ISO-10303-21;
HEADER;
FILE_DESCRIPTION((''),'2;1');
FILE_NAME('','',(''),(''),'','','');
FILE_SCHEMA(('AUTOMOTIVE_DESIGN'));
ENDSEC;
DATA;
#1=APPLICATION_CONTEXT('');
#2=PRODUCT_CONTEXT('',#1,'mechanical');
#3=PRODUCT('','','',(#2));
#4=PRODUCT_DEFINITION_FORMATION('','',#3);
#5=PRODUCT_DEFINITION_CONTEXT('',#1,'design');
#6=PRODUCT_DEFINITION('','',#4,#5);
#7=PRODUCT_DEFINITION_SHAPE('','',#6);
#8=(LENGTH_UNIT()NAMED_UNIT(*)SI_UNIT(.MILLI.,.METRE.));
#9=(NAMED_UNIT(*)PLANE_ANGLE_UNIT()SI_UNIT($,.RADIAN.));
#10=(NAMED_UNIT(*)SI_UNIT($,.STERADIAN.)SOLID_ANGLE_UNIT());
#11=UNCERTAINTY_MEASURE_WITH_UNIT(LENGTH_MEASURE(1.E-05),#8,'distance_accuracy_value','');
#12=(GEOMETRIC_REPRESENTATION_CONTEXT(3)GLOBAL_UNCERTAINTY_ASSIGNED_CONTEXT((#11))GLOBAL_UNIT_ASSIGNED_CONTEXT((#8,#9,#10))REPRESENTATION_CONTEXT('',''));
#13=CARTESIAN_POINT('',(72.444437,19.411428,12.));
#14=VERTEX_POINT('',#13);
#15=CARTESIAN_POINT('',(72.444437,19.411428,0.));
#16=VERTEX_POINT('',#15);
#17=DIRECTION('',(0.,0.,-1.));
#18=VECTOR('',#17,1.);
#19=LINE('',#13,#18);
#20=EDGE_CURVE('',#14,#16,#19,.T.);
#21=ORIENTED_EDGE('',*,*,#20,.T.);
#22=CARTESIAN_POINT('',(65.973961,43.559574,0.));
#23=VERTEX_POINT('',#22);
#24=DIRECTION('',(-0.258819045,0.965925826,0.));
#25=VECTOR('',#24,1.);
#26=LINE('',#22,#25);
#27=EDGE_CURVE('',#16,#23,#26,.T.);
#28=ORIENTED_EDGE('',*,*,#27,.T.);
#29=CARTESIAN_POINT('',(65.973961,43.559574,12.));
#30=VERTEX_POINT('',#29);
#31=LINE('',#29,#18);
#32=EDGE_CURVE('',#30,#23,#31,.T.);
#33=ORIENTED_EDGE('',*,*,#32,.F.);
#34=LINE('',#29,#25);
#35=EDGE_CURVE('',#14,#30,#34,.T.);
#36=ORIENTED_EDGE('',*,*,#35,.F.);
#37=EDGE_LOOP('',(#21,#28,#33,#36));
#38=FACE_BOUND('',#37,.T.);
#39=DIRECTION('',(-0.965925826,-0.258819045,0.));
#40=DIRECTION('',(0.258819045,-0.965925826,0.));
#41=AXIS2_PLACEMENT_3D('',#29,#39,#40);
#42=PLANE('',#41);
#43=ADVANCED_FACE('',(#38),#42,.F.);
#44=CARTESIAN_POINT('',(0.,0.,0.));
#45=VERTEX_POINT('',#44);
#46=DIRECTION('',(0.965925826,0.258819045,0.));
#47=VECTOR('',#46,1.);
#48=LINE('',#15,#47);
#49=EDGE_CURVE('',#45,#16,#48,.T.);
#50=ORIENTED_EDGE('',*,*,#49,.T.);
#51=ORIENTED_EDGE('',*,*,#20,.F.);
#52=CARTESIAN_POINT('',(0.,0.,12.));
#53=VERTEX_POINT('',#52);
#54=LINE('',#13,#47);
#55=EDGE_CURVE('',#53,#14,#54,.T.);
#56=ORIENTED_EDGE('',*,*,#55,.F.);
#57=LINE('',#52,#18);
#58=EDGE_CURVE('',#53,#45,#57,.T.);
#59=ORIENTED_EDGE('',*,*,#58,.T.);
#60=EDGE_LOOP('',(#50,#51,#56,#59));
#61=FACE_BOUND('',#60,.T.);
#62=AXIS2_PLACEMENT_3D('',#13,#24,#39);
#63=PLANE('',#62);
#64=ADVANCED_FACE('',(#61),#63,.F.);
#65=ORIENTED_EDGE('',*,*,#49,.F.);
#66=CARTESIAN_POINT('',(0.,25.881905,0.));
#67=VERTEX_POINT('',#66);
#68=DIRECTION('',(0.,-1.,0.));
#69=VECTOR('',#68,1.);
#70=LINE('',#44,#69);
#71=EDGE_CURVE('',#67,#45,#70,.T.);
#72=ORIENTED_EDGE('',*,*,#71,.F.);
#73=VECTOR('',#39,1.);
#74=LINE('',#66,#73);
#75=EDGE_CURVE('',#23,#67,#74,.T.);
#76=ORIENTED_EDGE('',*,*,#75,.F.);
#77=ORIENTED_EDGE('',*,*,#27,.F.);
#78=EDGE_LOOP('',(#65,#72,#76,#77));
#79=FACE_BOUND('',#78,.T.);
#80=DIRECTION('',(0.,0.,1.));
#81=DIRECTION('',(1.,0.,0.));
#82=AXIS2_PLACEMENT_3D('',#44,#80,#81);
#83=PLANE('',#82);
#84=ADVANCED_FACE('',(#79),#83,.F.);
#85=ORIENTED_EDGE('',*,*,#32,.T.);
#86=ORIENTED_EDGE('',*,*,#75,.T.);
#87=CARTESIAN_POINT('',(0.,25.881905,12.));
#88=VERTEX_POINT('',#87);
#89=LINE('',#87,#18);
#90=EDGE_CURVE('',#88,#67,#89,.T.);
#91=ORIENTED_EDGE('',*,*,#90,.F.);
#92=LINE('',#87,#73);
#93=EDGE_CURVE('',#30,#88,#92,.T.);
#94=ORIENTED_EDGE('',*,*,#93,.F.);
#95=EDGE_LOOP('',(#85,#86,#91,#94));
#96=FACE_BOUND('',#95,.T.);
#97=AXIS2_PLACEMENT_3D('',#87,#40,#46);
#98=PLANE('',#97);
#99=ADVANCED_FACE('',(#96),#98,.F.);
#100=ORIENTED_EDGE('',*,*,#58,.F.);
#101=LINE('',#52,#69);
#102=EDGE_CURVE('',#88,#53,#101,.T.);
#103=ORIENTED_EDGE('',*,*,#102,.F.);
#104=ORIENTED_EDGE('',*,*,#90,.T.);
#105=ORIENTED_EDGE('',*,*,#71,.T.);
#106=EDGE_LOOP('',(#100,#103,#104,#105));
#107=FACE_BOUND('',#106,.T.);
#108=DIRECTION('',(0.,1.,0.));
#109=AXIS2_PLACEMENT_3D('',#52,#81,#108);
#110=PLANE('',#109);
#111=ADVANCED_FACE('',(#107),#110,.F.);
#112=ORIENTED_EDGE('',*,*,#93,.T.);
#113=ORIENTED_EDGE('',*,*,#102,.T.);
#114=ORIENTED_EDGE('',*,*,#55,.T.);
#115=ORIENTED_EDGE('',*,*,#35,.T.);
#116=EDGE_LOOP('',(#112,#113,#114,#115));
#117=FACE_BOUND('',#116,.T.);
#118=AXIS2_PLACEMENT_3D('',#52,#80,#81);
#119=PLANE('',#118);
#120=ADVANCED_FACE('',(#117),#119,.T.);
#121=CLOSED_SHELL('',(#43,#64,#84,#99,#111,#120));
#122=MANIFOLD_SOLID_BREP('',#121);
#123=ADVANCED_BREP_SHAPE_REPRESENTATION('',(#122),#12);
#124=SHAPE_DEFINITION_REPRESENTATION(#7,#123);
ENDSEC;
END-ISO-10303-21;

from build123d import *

# Parameters (mm, degrees)
BOSS_EXTRUDE1_DEPTH = 12


with BuildPart() as part:
    # Sketch1 → Boss-Extrude1 (new body)
    with BuildSketch(Plane.XY):
        Polygon((0, 0), (0, 25.88190451), (65.973960844, 43.55957404), (72.444436972, 19.411428383), align=None)
    extrude(amount=BOSS_EXTRUDE1_DEPTH)


solid = part.part
